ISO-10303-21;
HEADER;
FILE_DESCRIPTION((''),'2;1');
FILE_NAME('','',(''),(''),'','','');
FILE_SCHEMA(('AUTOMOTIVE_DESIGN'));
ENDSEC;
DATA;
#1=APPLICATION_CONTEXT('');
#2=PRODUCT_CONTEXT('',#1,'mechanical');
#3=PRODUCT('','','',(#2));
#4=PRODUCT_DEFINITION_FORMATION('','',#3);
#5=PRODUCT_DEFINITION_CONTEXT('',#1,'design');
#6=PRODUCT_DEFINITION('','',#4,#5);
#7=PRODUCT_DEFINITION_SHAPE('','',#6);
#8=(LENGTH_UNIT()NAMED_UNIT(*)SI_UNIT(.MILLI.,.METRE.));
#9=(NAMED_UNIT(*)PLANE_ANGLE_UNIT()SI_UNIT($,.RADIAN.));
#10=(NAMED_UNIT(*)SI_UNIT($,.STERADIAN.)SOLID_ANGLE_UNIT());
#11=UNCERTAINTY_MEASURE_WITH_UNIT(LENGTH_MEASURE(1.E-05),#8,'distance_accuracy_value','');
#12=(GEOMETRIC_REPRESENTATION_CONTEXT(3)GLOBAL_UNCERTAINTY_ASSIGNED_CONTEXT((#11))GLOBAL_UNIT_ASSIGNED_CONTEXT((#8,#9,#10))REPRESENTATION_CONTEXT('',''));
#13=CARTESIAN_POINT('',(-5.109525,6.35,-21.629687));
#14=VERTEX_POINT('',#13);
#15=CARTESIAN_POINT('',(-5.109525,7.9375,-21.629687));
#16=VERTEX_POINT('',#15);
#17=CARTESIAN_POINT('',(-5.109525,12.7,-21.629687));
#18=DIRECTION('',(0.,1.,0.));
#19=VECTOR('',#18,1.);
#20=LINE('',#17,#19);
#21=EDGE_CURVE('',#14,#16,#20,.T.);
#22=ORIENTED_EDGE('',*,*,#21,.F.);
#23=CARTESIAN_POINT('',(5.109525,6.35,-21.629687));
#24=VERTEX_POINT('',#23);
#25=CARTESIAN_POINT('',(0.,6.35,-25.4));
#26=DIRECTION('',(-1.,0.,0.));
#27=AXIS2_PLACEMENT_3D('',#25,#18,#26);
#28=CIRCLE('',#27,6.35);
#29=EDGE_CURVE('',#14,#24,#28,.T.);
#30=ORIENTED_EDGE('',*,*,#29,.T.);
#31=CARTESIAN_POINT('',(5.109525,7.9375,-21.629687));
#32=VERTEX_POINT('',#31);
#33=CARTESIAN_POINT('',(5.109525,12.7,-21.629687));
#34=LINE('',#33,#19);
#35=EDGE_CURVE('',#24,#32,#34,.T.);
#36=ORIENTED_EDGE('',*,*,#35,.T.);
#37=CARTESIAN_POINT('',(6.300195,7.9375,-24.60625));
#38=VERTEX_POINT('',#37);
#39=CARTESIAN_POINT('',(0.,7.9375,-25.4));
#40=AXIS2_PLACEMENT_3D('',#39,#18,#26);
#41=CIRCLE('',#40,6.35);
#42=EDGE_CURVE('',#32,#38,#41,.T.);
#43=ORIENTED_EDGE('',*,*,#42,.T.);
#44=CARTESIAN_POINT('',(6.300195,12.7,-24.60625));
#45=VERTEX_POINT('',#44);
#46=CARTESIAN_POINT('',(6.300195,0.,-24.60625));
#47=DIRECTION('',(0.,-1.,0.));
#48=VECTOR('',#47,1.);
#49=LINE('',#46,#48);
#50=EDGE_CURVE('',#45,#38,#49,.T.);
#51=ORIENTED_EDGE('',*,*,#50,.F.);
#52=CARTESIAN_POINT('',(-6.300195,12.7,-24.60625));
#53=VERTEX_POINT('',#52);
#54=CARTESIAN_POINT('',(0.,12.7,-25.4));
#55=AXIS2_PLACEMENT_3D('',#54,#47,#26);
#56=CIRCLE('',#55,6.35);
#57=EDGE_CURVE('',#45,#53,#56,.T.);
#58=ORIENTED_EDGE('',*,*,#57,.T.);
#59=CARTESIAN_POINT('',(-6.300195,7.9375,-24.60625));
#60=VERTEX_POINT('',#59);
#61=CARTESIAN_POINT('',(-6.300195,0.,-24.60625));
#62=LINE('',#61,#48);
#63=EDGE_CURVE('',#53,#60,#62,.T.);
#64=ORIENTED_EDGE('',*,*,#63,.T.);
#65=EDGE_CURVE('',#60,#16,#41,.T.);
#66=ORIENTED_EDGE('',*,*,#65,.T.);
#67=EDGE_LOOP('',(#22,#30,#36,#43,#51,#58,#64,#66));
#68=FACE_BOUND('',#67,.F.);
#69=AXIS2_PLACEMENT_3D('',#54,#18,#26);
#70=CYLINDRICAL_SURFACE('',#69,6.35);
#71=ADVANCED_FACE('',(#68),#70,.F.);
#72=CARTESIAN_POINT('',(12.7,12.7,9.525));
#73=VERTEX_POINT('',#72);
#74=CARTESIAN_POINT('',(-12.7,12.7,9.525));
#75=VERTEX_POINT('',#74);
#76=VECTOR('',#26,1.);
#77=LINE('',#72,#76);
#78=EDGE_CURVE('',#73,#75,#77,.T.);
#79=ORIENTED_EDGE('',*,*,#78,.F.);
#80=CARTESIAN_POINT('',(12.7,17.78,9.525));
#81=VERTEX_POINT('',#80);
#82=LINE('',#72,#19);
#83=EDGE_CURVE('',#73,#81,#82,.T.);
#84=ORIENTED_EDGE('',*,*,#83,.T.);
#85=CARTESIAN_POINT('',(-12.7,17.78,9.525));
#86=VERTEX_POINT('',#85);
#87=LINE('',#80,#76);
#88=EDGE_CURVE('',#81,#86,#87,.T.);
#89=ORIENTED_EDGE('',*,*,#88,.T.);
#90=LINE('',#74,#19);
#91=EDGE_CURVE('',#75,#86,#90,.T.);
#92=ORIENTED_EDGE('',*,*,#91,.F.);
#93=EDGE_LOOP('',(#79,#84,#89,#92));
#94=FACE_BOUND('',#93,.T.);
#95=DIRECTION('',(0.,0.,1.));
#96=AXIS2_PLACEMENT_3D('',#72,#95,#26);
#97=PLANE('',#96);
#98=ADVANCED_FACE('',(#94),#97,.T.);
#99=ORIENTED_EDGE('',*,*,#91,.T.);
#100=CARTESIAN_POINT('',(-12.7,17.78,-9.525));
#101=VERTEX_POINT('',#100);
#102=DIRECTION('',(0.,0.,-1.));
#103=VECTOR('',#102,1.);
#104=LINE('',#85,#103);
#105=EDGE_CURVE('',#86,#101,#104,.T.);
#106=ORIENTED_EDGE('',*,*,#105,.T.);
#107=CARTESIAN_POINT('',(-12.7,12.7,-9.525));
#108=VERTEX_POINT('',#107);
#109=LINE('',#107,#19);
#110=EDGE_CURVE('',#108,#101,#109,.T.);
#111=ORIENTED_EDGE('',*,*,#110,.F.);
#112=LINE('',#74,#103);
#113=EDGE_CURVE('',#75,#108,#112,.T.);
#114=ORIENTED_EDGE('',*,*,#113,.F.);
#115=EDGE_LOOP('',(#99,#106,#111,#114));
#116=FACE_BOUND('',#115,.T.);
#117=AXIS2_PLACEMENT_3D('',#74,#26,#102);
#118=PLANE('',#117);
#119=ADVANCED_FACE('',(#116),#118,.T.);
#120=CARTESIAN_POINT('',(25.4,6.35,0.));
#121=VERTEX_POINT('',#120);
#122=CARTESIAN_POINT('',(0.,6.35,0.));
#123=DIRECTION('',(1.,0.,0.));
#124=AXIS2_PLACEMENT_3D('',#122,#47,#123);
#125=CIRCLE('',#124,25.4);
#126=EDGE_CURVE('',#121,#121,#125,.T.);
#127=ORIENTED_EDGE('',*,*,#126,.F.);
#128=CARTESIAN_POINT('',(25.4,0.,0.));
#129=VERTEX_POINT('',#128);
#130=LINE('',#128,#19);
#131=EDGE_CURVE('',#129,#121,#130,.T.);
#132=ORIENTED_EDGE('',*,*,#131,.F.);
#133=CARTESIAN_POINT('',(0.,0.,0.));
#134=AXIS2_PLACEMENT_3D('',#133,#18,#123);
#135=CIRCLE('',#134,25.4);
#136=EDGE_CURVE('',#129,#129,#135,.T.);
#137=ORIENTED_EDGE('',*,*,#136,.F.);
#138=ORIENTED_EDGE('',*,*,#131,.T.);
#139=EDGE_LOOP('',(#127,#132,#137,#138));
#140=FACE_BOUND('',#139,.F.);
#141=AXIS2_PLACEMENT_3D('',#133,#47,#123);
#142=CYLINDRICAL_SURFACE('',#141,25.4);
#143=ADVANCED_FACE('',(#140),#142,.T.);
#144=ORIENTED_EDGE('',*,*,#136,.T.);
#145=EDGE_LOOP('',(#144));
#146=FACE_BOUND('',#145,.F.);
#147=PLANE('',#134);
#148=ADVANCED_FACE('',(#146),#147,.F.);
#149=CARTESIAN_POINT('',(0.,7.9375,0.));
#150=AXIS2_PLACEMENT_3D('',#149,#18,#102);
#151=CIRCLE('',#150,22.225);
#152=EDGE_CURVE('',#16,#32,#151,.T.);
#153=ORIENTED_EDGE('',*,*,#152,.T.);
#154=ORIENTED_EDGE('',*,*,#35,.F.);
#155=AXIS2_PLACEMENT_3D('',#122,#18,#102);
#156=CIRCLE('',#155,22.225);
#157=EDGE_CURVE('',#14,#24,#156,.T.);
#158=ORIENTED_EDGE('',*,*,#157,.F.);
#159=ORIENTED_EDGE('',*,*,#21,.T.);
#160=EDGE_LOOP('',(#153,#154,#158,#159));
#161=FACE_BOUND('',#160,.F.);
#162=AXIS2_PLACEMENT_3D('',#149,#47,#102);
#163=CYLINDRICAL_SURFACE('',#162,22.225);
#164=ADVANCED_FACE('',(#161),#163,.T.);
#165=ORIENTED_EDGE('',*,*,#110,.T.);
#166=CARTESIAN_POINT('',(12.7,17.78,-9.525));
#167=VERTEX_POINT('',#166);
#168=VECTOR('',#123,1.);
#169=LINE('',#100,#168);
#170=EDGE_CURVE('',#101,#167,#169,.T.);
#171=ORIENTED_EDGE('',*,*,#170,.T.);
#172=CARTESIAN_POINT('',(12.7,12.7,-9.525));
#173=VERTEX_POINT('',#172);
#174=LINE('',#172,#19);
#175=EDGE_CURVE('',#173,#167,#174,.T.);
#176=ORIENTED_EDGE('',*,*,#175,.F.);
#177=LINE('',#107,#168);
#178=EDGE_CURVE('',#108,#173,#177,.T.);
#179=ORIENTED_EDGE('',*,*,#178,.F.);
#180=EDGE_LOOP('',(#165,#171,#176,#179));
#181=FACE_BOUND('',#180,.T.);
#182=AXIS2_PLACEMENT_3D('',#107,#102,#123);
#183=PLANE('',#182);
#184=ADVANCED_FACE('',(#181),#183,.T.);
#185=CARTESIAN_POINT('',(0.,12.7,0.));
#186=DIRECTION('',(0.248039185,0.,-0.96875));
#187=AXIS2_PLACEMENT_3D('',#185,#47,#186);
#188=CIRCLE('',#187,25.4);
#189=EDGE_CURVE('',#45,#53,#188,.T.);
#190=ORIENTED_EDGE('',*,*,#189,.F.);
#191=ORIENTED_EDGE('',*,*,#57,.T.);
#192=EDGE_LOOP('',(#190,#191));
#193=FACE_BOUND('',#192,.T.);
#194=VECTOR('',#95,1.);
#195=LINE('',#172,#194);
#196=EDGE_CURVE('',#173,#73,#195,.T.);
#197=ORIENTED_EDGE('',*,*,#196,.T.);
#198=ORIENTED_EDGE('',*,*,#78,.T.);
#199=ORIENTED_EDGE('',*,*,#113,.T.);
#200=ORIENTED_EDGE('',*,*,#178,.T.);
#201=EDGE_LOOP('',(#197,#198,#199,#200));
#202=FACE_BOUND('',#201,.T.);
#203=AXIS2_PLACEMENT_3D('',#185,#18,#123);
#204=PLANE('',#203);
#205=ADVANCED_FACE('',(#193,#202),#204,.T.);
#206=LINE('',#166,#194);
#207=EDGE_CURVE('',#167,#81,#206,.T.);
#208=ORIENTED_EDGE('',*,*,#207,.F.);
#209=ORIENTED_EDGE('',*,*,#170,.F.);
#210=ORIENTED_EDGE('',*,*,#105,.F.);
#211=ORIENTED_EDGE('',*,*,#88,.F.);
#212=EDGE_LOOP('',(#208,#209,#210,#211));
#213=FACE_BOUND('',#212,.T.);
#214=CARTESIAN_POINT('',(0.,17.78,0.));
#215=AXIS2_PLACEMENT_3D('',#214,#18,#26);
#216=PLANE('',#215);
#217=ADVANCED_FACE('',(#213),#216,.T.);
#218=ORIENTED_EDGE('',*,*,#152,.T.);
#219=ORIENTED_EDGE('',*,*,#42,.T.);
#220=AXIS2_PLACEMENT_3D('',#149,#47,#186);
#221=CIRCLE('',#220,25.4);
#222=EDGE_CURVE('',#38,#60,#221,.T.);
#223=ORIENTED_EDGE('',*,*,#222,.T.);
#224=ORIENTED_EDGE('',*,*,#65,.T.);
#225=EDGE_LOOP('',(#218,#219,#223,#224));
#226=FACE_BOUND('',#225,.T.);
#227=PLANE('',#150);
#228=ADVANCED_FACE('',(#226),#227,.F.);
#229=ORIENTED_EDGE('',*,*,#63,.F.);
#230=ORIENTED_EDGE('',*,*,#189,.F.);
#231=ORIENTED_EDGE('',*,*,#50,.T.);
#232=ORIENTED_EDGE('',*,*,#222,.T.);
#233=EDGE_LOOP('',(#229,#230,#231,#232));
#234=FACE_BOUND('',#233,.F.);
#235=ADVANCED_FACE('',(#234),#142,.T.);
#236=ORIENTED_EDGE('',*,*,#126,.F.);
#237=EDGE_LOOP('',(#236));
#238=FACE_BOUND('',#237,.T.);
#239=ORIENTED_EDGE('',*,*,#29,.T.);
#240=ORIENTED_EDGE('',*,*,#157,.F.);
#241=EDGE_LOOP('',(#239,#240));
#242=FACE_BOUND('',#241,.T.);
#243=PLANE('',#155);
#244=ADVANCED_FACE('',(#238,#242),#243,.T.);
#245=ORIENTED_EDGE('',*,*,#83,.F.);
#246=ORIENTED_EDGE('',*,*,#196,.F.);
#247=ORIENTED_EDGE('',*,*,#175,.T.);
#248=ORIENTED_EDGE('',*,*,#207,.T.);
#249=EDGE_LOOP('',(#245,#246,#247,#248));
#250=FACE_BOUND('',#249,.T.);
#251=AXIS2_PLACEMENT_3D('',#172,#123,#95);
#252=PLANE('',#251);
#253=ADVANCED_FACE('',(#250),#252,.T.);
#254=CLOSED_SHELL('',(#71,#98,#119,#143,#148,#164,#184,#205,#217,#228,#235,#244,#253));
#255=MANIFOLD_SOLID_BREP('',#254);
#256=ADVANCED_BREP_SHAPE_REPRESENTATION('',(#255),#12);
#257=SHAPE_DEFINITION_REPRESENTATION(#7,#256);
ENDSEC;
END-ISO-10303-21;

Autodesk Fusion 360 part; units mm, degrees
sketch "Sketch1" plane through (0, 0, 0) normal (0, 1, 0) x (1, 0, 0)
  circle A0 centre (0, 0) radius 25.4
  dimension "d1" = 50.8
extrude "Extrude1" add sketch "Sketch1" along normal blind 12.7
sketch "Sketch2" plane through (0, 12.7, 0) normal (0, 1, 0) x (-1, 0, 0)
  circle A0 centre (0, 0) radius 25.4
  circle A1 centre (0, -25.4) radius 6.35
  dimension "d4" = 12.7
extrude "Extrude2" cut sketch "Sketch2" against normal blind 6.35 contours A0 A1 | A0 A1 picked at (-1.9477, -23.4128) picked at (2.1308, -27.1585)
sketch "Sketch3" plane through (0, 12.7, 0) normal (0, 1, 0) x (-1, 0, 0)
  arc A0 (6.3002, -24.6062) -> (-6.3002, -24.6062) centre (0, -25.4) ccw
  arc A1 (6.3002, -24.6063) -> (-6.3002, -24.6062) centre (0, 0) ccw
  circle A2 centre (0, -10.795) radius 4.7625
  circle A3 centre (0, -10.795) radius 2.5527
  dimension "d7" = 9.525
  dimension "d8" = 10.795
  dimension "d9" = 5.1054
sketch "Sketch4" plane through (0, 0, 0) normal (1, 0, 0) x (0, 0, -1)
  line L0 (25.4, 0) -> (25.4, 6.35)
  line L1 (-25.4, 12.7) -> (-25.4, 0)
  line L2 (19.05, 6.35) -> (24.6062, 6.35)
  line L3 (25.4, 6.35) -> (22.225, 6.35)
  line L4 (22.225, 7.9375) -> (25.4, 7.9375)
  line L5 (25.4, 7.9375) -> (25.4, 6.35)
  line L6 (22.225, 7.9375) -> (22.225, 6.35)
  dimension "d12" = 3.175
  dimension "d13" = 1.5875
revolve "Revolve1" cut sketch "Sketch4" angle 360 about axis through (0, 1.75, 0) along (0, 1, 0)
sketch "Sketch5" plane through (0, 12.7, 0) normal (0, 1, 0) x (-1, 0, 0)
  arc A0 (6.3002, -24.6062) -> (-6.3002, -24.6062) centre (0, -25.4) ccw
  arc A1 (6.3002, -24.6063) -> (-6.3002, -24.6062) centre (0, 0) ccw
  line L0 (0, -19.05) -> (0, 0) construction
  line L1 (0, 0) -> (0, 19.05) construction
  circle A2 centre (0, 25.4) radius 6.35
  arc A3 (5.1095, -21.6297) -> (-5.1095, -21.6297) centre (0, 0) ccw
  line L2 (-12.7, 9.525) -> (12.7, 9.525)
  line L3 (12.7, 9.525) -> (12.7, -9.525)
  line L4 (12.7, -9.525) -> (-12.7, -9.525)
  line L5 (-12.7, -9.525) -> (-12.7, 9.525)
  line L6 (-12.7, 9.525) -> (12.7, -9.525) construction
  line L7 (12.7, 9.525) -> (-12.7, -9.525) construction
  circle A4 centre (0, 0) radius 15.875
  dimension "d15" = 25.4
  dimension "d16" = 19.05
  dimension "d17" = 31.75
extrude "Extrude4" add sketch "Sketch5" along normal blind 5.08 contours L2 L3 L4 L5
equation "d17 = d15 + 0.25 in"
